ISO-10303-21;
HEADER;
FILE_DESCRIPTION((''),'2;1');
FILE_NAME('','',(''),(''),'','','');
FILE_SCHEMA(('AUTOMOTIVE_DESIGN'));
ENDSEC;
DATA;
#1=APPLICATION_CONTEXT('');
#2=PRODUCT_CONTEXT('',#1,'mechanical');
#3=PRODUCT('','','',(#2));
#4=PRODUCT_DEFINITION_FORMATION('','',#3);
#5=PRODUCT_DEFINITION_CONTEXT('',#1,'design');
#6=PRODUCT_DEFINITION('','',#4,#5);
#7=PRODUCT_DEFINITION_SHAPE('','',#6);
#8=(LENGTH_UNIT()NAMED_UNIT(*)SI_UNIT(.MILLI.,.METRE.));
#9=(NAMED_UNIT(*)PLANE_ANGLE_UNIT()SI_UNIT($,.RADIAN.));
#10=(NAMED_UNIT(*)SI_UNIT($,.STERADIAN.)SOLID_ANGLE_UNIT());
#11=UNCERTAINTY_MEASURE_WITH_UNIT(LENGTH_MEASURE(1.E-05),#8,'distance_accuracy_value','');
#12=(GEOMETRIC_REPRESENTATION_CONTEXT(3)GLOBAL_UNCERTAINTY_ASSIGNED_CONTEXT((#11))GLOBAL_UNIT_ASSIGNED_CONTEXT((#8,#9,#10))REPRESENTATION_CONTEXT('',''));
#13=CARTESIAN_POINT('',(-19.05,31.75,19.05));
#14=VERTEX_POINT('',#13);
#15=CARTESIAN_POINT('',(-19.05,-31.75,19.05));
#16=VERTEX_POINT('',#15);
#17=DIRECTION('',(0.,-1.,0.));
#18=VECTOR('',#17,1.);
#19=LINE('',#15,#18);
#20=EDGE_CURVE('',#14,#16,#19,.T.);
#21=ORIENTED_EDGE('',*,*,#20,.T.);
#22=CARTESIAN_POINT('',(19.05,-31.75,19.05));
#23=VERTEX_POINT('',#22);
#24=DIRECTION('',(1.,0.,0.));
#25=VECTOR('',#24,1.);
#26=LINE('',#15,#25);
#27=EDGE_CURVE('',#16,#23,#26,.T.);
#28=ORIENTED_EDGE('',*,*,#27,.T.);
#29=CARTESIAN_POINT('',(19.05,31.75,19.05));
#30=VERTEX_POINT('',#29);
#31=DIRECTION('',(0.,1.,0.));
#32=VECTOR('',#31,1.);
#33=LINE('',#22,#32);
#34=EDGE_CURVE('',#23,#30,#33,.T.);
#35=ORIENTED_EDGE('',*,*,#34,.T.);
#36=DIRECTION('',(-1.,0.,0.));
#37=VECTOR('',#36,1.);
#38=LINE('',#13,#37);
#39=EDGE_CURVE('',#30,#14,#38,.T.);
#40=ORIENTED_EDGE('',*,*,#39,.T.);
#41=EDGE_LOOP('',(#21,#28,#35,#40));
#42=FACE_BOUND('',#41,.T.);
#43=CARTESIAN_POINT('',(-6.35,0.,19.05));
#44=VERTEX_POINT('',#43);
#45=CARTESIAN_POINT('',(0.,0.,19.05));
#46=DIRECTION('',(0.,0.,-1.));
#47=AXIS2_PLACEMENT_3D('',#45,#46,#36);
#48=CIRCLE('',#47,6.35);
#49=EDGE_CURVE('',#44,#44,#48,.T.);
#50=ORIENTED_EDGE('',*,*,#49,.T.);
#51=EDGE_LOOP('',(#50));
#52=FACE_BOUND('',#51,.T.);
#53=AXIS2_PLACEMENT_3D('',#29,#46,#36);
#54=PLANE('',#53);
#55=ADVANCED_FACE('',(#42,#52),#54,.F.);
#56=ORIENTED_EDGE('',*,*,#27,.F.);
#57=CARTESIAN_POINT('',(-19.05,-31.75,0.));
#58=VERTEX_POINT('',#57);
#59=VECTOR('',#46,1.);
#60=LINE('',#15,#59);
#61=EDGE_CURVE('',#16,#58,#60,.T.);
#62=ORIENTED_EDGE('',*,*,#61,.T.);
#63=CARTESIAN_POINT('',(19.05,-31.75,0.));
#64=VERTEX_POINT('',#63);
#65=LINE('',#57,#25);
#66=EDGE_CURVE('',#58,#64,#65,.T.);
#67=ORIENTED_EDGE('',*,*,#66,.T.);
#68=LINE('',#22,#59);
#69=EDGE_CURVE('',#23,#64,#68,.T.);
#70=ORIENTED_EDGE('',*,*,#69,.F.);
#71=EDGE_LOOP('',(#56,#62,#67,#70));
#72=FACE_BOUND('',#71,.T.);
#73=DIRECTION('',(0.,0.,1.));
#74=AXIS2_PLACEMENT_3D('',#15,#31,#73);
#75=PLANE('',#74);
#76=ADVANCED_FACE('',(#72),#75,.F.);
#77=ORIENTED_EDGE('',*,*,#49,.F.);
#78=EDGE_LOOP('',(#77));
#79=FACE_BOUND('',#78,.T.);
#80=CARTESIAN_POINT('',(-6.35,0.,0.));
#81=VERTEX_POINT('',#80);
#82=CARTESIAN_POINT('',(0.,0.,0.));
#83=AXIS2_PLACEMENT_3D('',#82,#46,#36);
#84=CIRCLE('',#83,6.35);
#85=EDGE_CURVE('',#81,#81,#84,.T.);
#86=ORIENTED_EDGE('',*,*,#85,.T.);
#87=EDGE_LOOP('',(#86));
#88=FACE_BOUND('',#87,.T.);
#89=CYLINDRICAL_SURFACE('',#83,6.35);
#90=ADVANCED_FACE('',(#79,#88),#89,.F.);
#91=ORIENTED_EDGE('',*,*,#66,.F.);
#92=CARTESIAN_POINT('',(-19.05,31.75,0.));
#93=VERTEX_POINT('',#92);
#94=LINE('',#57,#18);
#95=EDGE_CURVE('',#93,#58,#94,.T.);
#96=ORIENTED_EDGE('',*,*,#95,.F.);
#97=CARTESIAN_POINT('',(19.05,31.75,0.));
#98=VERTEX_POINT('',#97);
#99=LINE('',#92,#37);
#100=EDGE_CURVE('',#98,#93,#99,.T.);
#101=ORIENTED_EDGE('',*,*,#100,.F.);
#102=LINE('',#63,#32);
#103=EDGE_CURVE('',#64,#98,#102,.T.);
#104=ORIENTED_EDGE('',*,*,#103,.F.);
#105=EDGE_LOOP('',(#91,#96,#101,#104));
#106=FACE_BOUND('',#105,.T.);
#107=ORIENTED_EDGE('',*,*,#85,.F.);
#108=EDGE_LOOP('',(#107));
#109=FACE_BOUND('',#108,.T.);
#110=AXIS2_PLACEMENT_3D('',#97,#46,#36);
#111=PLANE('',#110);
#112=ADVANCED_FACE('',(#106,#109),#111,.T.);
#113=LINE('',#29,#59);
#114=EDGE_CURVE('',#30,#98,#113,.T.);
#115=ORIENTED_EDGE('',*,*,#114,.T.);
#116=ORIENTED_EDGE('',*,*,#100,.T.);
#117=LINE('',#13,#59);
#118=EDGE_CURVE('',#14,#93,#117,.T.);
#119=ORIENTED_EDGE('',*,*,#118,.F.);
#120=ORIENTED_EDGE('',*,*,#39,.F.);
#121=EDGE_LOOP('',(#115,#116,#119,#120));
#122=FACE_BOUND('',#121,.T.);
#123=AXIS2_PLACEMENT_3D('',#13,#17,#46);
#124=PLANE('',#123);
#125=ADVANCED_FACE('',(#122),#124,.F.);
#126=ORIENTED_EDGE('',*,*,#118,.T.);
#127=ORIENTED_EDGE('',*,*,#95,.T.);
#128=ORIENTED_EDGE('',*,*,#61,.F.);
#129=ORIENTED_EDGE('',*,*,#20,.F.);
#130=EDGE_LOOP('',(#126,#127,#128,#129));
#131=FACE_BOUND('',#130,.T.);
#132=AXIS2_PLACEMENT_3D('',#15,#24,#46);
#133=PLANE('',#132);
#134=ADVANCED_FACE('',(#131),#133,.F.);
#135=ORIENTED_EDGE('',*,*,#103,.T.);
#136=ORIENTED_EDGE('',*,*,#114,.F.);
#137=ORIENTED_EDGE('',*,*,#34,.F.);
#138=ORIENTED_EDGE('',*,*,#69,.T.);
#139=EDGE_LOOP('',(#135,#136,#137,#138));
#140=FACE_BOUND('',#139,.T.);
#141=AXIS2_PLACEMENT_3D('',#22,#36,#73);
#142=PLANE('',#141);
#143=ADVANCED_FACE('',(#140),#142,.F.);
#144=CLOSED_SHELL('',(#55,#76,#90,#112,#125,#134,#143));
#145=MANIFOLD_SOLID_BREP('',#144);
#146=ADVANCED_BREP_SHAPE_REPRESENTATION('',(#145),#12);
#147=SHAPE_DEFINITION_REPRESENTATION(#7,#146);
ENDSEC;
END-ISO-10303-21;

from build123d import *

# Parameters (mm, degrees)
SKETCH1_W                  = 38.1
SKETCH1_H                  = 63.5
EXTRUDE1_DEPTH             = 19.05
F_1_2_0_5_DIAMETER_HOLE1_D = 12.7


with BuildPart() as part:
    # Sketch1 → Extrude1 (new body)
    with BuildSketch(Plane.XY):
        Rectangle(SKETCH1_W, SKETCH1_H)
    extrude(amount=EXTRUDE1_DEPTH)

    # 1/2 (0.5) Diameter Hole1 (through all)
    with Locations(Plane(origin=(0, 0, 0), x_dir=(-1, 0, 0), z_dir=(0, 0, -1))):
        with Locations((0, 0)):
            Hole(F_1_2_0_5_DIAMETER_HOLE1_D / 2)


solid = part.part
